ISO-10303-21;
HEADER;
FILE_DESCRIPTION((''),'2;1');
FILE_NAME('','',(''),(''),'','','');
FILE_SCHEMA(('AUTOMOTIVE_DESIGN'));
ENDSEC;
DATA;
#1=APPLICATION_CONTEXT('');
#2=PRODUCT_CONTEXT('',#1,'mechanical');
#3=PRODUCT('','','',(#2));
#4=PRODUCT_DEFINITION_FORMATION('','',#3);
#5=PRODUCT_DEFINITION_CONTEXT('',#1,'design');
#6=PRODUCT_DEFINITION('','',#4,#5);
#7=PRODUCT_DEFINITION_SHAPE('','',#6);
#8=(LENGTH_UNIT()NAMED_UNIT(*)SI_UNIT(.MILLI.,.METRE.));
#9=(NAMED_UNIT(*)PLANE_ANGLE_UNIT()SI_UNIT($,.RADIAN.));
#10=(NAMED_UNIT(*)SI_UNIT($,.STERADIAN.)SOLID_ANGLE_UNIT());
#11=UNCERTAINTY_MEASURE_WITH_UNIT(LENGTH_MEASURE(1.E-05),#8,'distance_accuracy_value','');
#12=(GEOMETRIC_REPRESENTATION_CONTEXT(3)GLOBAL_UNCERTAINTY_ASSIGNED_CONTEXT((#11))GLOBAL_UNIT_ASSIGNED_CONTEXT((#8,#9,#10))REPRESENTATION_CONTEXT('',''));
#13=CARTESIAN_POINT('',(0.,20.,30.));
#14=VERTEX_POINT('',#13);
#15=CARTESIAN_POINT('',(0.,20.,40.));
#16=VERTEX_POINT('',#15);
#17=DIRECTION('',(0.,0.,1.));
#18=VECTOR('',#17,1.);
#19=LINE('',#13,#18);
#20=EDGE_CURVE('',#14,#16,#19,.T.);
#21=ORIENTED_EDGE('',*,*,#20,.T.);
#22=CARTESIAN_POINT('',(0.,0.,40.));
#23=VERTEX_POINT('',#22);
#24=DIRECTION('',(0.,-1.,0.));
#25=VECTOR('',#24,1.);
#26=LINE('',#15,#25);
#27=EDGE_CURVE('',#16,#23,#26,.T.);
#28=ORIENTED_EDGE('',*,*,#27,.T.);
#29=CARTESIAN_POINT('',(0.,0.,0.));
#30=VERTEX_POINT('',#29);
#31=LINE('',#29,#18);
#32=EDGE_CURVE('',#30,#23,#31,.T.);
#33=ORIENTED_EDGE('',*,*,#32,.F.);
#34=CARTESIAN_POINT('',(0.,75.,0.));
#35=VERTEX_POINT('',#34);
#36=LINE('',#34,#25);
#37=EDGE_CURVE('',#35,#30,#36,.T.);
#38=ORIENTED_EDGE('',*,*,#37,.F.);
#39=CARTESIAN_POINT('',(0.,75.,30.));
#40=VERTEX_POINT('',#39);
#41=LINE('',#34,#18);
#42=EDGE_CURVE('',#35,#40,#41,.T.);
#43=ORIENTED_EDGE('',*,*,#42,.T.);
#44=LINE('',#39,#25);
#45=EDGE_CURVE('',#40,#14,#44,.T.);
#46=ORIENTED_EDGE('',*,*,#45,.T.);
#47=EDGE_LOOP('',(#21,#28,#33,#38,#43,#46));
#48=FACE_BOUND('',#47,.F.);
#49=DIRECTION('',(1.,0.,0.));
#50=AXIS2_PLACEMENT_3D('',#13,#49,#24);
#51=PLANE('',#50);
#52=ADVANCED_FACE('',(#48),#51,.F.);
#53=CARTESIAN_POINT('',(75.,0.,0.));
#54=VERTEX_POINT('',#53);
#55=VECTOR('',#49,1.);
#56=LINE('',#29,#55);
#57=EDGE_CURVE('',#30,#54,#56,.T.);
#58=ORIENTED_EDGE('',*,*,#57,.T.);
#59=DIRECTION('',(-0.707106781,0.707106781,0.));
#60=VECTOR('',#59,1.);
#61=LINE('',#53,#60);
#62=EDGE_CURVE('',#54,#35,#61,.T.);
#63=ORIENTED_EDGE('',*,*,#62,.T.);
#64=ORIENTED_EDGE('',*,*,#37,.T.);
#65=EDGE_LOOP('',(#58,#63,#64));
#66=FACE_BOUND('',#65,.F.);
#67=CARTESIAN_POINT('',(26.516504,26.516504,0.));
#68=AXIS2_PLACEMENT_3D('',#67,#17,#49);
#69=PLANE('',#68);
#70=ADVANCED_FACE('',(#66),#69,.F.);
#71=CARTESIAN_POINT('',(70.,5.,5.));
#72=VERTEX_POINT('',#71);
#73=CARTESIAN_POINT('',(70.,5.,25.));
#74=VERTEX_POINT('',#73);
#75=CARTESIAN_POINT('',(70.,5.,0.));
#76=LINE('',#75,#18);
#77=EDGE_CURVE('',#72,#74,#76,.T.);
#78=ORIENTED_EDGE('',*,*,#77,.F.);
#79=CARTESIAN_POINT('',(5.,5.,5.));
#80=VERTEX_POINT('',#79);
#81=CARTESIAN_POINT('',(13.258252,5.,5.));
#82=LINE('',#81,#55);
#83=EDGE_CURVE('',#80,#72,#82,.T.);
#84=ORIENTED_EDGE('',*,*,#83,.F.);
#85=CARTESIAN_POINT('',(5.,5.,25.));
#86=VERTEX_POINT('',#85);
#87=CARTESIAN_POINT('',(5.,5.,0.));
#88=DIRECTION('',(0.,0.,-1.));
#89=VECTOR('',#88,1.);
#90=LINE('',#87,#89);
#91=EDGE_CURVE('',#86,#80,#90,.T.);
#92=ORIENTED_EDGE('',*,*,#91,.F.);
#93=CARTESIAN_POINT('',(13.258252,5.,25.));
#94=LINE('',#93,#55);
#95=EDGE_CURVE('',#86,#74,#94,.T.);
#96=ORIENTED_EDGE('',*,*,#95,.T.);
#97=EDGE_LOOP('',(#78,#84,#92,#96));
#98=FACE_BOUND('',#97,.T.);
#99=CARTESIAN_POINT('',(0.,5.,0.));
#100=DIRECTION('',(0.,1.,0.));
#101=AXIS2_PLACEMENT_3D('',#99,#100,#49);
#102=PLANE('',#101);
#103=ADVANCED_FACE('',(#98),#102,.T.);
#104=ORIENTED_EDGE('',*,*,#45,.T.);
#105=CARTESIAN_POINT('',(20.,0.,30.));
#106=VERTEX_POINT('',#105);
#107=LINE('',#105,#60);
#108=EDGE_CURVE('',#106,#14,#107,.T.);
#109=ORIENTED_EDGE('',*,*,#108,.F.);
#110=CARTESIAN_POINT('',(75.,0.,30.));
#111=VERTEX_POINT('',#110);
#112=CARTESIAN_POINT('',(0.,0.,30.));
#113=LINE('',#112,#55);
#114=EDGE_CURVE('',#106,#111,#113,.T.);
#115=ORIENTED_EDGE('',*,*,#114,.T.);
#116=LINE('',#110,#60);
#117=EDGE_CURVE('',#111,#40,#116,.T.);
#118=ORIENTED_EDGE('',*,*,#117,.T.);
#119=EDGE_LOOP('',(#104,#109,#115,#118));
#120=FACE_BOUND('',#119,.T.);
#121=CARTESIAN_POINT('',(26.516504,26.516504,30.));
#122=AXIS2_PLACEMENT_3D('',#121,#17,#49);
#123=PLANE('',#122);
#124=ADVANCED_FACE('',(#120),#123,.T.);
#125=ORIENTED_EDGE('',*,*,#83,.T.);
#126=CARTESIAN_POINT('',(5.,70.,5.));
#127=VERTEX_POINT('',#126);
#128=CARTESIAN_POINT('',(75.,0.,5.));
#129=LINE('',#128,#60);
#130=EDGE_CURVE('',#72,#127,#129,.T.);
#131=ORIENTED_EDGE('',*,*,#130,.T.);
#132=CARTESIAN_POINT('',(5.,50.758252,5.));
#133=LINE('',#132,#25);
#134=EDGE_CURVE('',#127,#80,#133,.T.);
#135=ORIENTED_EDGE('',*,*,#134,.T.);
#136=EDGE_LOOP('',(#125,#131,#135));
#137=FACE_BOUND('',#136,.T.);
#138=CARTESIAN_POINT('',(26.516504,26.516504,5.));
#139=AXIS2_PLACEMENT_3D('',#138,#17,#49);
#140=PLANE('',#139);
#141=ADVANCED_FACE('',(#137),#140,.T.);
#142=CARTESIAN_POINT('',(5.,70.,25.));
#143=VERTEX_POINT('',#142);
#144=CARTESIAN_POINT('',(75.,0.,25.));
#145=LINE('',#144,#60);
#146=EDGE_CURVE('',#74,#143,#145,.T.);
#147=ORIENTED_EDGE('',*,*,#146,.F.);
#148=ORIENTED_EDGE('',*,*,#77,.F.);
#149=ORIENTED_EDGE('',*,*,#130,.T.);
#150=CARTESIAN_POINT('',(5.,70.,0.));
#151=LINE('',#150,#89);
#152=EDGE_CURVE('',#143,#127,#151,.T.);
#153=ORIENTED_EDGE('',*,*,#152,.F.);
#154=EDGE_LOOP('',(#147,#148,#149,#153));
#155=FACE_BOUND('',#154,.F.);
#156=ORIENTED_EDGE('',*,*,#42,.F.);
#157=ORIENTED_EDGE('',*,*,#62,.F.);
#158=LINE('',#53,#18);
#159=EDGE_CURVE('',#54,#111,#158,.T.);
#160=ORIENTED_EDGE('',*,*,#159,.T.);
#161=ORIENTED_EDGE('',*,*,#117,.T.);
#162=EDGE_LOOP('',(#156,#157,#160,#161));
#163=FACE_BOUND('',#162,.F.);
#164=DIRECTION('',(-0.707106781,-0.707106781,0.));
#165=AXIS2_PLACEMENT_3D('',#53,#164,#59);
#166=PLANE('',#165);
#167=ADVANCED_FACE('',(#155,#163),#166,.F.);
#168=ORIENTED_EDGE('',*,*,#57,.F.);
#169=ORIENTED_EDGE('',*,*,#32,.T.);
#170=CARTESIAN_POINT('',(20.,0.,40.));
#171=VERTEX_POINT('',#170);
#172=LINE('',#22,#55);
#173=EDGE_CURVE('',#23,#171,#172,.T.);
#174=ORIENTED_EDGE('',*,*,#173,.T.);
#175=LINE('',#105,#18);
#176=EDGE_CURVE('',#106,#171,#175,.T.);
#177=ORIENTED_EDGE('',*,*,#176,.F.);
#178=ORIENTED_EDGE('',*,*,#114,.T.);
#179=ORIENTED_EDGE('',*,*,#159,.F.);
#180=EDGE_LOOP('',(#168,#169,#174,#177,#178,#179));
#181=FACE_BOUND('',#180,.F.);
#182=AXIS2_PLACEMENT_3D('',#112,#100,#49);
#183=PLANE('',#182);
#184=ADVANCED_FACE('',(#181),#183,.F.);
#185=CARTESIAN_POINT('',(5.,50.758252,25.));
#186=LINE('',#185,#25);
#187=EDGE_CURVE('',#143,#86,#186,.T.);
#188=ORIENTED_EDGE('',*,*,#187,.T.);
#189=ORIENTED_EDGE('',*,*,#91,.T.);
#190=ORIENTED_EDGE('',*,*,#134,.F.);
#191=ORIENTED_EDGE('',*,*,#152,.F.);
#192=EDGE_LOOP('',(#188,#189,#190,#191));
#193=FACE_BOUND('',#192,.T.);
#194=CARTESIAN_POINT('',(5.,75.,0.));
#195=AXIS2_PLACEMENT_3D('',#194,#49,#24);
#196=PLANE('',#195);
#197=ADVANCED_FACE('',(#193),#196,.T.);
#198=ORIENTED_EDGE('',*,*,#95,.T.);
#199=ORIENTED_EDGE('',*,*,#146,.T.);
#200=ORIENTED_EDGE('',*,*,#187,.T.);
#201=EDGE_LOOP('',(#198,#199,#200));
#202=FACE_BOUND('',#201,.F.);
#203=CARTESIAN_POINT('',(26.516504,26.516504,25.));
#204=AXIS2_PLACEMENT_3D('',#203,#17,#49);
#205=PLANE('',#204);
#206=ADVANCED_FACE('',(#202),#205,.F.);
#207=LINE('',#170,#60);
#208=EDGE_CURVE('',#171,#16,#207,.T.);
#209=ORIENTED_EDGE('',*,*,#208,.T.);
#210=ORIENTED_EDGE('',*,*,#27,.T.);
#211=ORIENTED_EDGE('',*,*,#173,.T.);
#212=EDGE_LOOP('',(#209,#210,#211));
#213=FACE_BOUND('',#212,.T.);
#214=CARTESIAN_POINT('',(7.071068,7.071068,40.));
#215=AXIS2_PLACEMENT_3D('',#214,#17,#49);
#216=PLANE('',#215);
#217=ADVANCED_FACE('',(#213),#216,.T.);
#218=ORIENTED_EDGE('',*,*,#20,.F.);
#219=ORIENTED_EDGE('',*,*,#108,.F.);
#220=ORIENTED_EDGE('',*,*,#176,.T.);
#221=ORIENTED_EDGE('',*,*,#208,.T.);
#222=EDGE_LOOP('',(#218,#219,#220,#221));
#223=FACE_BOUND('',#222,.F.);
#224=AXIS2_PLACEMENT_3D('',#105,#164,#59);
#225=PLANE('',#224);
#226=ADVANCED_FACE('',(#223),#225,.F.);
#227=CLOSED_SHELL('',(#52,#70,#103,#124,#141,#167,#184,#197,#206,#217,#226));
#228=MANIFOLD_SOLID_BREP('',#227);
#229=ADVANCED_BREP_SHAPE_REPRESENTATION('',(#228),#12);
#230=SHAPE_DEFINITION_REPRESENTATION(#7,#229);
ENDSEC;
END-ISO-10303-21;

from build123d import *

# Parameters (mm, degrees)
F1_DEPTH = 30
F2_T     = -5
F4_DEPTH = 10


with BuildPart() as f1:
    # F0 (on Top) → F1 (new body)
    with BuildSketch(Plane.XY):
        Polygon((0, 75), (0, 0), (75, 0), align=None)
    extrude(amount=F1_DEPTH)

    # F2
    f2_openings = [f1.faces().sort_by_distance(p)[0] for p in [
        (37.5, 37.5, 15),
    ]]
    offset(amount=F2_T, openings=f2_openings)

    # F3 (on face) → F4 (join)
    with BuildSketch(Plane.XY.offset(30)):
        Polygon((0, 20), (0, 0), (20, 0), align=None)
    extrude(amount=F4_DEPTH)


solid = f1.part
